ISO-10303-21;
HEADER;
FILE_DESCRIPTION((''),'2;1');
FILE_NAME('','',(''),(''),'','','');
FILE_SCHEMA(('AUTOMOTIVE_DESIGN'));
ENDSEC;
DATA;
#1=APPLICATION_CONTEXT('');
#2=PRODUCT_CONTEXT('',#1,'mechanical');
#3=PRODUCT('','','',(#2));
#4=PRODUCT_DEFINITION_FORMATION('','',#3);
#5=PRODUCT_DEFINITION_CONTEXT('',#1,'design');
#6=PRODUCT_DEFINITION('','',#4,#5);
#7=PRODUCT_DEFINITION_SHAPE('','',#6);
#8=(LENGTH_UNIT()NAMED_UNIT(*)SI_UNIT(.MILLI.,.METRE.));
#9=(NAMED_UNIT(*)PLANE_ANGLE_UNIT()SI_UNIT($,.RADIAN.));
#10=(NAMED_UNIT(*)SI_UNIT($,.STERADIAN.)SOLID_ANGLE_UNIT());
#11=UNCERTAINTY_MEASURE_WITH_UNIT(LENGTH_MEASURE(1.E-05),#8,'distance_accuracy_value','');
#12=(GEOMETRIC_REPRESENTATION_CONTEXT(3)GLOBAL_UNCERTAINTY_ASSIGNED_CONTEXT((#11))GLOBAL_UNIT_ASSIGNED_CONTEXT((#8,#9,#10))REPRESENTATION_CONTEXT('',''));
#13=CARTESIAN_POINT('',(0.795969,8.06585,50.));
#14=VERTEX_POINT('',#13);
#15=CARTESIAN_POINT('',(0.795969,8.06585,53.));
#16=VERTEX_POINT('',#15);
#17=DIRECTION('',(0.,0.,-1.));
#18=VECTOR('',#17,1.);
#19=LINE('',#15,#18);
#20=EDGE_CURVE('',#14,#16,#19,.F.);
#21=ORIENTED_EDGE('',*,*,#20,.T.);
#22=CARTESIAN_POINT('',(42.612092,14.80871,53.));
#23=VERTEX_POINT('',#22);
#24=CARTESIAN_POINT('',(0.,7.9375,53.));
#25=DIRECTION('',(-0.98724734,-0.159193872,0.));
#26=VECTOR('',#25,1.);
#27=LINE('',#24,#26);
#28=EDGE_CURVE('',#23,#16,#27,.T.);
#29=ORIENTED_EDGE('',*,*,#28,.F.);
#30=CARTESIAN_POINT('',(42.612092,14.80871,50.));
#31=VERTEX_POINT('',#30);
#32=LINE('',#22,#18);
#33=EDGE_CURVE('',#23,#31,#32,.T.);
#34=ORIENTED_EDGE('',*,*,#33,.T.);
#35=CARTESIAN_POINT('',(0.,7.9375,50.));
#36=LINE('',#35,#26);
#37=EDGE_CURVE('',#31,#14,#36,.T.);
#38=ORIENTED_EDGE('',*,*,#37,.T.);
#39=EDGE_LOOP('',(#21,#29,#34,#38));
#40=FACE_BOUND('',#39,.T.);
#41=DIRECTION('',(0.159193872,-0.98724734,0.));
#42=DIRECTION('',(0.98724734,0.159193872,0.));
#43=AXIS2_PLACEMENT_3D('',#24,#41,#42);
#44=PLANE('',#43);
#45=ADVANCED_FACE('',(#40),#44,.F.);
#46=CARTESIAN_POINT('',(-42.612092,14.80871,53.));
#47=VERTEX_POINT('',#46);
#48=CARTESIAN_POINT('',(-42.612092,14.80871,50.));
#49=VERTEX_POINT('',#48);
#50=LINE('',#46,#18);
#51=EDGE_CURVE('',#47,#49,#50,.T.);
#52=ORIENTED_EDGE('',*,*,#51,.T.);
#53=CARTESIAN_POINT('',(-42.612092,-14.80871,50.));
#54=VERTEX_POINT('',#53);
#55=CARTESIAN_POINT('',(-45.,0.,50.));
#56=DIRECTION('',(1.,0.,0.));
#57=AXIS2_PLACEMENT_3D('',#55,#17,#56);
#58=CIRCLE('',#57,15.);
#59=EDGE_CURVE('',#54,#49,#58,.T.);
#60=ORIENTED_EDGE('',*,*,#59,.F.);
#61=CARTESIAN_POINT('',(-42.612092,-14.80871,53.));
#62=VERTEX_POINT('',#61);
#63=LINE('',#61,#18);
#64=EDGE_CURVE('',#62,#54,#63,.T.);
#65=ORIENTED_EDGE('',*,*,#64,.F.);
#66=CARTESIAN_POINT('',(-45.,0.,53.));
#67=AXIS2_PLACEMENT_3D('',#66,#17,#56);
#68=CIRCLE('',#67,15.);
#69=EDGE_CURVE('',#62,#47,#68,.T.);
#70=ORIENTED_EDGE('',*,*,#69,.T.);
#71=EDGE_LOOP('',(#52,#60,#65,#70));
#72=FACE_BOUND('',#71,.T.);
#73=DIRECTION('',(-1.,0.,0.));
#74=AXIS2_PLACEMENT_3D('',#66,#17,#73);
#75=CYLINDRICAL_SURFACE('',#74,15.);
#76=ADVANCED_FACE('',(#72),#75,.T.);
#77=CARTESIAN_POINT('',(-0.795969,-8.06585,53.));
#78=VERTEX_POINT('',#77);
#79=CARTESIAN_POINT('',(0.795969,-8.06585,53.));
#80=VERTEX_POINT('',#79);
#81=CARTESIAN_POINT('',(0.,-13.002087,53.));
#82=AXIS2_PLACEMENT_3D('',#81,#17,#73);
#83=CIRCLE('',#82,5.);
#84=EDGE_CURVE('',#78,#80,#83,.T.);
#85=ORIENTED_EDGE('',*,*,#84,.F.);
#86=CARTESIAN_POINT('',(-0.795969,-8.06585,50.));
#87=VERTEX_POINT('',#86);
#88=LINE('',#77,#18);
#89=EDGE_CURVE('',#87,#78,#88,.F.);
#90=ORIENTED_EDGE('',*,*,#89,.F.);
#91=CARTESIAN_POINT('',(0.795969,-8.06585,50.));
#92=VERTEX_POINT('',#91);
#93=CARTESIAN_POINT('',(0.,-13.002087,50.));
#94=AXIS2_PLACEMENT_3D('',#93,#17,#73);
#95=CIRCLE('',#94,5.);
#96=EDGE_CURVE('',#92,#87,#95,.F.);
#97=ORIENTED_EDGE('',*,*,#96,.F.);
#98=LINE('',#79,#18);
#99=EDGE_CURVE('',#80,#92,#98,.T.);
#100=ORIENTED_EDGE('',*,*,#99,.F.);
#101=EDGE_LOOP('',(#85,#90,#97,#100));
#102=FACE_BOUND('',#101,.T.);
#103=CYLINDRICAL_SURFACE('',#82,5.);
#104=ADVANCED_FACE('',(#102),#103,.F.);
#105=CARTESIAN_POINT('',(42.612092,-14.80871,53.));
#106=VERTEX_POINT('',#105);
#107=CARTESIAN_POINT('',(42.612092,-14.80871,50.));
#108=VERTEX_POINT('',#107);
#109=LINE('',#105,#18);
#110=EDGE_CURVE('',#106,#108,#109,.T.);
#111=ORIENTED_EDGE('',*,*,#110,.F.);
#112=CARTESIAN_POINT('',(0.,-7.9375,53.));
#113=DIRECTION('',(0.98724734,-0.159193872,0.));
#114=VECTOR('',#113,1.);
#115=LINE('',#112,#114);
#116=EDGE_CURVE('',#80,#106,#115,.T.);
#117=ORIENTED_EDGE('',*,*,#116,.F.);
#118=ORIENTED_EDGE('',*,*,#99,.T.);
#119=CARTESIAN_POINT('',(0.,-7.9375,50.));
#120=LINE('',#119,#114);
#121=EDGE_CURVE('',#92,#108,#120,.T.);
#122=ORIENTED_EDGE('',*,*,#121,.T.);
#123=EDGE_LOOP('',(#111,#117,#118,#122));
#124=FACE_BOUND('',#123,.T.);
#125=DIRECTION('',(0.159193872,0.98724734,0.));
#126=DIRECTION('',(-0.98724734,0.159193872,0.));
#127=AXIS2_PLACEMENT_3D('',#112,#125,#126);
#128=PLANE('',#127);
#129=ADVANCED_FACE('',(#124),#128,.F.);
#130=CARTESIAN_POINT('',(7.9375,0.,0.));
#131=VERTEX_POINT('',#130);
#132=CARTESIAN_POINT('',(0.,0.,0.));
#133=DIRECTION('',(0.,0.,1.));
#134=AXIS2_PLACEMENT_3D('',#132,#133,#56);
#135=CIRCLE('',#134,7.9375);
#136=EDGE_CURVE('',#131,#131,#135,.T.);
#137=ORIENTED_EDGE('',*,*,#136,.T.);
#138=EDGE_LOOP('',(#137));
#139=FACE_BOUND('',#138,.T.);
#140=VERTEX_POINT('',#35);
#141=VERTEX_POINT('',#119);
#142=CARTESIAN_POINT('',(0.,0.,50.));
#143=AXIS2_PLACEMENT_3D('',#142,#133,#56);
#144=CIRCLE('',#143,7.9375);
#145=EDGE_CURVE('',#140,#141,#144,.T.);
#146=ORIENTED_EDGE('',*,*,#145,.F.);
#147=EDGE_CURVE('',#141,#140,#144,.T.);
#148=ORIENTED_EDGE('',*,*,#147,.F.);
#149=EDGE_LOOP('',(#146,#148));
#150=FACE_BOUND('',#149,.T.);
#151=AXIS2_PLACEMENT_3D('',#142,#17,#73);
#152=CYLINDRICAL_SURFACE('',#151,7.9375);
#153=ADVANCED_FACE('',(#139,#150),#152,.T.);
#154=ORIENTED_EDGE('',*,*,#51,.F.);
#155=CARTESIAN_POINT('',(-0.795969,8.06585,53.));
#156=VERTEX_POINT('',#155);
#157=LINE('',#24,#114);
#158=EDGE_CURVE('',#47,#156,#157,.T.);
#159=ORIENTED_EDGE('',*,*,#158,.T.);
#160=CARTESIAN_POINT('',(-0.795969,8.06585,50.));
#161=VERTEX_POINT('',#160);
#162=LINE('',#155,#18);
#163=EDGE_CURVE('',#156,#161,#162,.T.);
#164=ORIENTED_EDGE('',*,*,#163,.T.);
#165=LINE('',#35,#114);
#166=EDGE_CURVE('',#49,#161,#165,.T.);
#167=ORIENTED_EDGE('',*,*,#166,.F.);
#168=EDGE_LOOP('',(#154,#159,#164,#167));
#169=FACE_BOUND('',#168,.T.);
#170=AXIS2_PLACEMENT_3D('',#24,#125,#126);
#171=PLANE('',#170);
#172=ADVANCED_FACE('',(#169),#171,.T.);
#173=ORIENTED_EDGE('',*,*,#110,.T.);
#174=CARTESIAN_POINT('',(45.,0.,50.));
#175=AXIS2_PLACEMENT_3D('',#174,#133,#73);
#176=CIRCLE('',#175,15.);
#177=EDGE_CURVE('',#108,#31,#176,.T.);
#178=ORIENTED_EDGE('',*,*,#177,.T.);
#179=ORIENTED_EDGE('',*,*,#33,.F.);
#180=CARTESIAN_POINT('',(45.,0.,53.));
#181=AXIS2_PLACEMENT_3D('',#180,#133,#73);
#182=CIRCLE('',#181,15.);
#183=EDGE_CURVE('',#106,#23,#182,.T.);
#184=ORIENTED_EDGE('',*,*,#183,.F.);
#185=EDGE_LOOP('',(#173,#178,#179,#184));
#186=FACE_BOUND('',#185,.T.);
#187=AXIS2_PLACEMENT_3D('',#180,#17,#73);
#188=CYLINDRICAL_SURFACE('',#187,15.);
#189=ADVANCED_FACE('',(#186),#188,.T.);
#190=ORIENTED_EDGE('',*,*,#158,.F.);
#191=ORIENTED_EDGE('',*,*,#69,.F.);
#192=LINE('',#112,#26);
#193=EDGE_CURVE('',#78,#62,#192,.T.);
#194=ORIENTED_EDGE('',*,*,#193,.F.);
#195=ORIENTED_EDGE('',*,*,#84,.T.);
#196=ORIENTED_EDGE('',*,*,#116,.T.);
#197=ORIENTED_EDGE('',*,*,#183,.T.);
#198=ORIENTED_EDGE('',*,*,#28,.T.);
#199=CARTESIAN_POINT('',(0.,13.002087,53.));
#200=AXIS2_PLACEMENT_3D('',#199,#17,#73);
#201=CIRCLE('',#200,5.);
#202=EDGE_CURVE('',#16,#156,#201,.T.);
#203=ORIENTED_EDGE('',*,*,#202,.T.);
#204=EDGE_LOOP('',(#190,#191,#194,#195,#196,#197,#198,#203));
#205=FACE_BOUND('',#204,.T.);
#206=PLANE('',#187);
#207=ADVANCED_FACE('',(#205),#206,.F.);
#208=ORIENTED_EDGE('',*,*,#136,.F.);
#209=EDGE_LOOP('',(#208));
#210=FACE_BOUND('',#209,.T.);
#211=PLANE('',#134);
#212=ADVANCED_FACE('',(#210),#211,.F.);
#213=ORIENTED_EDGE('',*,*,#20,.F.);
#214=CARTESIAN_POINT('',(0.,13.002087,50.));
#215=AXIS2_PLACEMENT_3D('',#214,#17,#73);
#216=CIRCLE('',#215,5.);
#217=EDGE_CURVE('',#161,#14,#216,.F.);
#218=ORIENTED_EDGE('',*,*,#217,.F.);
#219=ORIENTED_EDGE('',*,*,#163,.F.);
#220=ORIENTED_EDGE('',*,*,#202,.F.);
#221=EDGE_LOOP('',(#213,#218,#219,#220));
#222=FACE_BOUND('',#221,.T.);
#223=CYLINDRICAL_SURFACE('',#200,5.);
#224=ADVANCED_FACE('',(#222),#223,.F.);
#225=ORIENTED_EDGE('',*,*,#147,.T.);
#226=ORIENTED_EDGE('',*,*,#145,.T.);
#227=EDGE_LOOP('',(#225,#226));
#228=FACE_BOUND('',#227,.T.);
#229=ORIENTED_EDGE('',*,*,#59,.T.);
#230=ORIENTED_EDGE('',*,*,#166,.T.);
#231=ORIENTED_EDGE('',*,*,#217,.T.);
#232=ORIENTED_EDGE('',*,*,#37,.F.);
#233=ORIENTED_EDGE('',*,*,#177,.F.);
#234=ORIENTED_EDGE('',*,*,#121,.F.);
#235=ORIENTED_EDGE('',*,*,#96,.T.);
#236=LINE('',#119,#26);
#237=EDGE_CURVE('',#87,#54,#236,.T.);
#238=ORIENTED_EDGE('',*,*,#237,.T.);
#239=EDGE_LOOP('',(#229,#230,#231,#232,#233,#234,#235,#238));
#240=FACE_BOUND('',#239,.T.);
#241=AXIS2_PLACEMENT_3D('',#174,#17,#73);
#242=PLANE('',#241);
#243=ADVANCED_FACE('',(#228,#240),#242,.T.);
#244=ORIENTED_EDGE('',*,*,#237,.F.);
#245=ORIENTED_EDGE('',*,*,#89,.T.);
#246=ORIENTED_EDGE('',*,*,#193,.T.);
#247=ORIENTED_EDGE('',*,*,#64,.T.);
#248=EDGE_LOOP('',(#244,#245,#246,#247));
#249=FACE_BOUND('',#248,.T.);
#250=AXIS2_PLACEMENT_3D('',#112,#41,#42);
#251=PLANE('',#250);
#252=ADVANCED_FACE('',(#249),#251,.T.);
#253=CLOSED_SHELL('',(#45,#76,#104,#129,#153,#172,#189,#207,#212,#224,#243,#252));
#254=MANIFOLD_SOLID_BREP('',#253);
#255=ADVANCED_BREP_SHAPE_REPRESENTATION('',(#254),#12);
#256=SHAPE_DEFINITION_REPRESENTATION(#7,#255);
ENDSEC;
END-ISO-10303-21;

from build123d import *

# Parameters (mm, degrees)
SKETCH1_R           = 7.9375
BOSS_EXTRUDE1_DEPTH = 50
BOSS_EXTRUDE2_DEPTH = 3
FILLET1_R           = 5


with BuildPart() as part:
    # Sketch1 → Boss-Extrude1 (new body)
    with BuildSketch(Plane.XY):
        Circle(SKETCH1_R)
    extrude(amount=BOSS_EXTRUDE1_DEPTH)

    # Sketch2 → Boss-Extrude2 (add)
    with BuildSketch(Plane.XY.offset(50)):
        with BuildLine():
            Line((0, -7.9375), (0, 7.9375))
            Line((0, 7.9375), (42.612091922, 14.808710106))
            ThreePointArc((42.612091922, 14.808710106), (60, 0), (42.612091922, -14.808710106))
            Line((42.612091922, -14.808710106), (0, -7.9375))
        make_face()
    boss_extrude2 = extrude(amount=BOSS_EXTRUDE2_DEPTH)

    # Mirror1: Boss-Extrude2 across plane
    add(boss_extrude2.mirror(Plane(origin=(0, -7.9375, 53), x_dir=(0, 0, 1), z_dir=(1, 0, 0))))

    # Fillet1
    fillet1_edges = [part.edges().sort_by_distance(p)[0] for p in [
        (0, 7.9375, 51.5),
        (0, -7.9375, 51.5),
    ]]
    fillet(fillet1_edges, radius=FILLET1_R)


solid = part.part
